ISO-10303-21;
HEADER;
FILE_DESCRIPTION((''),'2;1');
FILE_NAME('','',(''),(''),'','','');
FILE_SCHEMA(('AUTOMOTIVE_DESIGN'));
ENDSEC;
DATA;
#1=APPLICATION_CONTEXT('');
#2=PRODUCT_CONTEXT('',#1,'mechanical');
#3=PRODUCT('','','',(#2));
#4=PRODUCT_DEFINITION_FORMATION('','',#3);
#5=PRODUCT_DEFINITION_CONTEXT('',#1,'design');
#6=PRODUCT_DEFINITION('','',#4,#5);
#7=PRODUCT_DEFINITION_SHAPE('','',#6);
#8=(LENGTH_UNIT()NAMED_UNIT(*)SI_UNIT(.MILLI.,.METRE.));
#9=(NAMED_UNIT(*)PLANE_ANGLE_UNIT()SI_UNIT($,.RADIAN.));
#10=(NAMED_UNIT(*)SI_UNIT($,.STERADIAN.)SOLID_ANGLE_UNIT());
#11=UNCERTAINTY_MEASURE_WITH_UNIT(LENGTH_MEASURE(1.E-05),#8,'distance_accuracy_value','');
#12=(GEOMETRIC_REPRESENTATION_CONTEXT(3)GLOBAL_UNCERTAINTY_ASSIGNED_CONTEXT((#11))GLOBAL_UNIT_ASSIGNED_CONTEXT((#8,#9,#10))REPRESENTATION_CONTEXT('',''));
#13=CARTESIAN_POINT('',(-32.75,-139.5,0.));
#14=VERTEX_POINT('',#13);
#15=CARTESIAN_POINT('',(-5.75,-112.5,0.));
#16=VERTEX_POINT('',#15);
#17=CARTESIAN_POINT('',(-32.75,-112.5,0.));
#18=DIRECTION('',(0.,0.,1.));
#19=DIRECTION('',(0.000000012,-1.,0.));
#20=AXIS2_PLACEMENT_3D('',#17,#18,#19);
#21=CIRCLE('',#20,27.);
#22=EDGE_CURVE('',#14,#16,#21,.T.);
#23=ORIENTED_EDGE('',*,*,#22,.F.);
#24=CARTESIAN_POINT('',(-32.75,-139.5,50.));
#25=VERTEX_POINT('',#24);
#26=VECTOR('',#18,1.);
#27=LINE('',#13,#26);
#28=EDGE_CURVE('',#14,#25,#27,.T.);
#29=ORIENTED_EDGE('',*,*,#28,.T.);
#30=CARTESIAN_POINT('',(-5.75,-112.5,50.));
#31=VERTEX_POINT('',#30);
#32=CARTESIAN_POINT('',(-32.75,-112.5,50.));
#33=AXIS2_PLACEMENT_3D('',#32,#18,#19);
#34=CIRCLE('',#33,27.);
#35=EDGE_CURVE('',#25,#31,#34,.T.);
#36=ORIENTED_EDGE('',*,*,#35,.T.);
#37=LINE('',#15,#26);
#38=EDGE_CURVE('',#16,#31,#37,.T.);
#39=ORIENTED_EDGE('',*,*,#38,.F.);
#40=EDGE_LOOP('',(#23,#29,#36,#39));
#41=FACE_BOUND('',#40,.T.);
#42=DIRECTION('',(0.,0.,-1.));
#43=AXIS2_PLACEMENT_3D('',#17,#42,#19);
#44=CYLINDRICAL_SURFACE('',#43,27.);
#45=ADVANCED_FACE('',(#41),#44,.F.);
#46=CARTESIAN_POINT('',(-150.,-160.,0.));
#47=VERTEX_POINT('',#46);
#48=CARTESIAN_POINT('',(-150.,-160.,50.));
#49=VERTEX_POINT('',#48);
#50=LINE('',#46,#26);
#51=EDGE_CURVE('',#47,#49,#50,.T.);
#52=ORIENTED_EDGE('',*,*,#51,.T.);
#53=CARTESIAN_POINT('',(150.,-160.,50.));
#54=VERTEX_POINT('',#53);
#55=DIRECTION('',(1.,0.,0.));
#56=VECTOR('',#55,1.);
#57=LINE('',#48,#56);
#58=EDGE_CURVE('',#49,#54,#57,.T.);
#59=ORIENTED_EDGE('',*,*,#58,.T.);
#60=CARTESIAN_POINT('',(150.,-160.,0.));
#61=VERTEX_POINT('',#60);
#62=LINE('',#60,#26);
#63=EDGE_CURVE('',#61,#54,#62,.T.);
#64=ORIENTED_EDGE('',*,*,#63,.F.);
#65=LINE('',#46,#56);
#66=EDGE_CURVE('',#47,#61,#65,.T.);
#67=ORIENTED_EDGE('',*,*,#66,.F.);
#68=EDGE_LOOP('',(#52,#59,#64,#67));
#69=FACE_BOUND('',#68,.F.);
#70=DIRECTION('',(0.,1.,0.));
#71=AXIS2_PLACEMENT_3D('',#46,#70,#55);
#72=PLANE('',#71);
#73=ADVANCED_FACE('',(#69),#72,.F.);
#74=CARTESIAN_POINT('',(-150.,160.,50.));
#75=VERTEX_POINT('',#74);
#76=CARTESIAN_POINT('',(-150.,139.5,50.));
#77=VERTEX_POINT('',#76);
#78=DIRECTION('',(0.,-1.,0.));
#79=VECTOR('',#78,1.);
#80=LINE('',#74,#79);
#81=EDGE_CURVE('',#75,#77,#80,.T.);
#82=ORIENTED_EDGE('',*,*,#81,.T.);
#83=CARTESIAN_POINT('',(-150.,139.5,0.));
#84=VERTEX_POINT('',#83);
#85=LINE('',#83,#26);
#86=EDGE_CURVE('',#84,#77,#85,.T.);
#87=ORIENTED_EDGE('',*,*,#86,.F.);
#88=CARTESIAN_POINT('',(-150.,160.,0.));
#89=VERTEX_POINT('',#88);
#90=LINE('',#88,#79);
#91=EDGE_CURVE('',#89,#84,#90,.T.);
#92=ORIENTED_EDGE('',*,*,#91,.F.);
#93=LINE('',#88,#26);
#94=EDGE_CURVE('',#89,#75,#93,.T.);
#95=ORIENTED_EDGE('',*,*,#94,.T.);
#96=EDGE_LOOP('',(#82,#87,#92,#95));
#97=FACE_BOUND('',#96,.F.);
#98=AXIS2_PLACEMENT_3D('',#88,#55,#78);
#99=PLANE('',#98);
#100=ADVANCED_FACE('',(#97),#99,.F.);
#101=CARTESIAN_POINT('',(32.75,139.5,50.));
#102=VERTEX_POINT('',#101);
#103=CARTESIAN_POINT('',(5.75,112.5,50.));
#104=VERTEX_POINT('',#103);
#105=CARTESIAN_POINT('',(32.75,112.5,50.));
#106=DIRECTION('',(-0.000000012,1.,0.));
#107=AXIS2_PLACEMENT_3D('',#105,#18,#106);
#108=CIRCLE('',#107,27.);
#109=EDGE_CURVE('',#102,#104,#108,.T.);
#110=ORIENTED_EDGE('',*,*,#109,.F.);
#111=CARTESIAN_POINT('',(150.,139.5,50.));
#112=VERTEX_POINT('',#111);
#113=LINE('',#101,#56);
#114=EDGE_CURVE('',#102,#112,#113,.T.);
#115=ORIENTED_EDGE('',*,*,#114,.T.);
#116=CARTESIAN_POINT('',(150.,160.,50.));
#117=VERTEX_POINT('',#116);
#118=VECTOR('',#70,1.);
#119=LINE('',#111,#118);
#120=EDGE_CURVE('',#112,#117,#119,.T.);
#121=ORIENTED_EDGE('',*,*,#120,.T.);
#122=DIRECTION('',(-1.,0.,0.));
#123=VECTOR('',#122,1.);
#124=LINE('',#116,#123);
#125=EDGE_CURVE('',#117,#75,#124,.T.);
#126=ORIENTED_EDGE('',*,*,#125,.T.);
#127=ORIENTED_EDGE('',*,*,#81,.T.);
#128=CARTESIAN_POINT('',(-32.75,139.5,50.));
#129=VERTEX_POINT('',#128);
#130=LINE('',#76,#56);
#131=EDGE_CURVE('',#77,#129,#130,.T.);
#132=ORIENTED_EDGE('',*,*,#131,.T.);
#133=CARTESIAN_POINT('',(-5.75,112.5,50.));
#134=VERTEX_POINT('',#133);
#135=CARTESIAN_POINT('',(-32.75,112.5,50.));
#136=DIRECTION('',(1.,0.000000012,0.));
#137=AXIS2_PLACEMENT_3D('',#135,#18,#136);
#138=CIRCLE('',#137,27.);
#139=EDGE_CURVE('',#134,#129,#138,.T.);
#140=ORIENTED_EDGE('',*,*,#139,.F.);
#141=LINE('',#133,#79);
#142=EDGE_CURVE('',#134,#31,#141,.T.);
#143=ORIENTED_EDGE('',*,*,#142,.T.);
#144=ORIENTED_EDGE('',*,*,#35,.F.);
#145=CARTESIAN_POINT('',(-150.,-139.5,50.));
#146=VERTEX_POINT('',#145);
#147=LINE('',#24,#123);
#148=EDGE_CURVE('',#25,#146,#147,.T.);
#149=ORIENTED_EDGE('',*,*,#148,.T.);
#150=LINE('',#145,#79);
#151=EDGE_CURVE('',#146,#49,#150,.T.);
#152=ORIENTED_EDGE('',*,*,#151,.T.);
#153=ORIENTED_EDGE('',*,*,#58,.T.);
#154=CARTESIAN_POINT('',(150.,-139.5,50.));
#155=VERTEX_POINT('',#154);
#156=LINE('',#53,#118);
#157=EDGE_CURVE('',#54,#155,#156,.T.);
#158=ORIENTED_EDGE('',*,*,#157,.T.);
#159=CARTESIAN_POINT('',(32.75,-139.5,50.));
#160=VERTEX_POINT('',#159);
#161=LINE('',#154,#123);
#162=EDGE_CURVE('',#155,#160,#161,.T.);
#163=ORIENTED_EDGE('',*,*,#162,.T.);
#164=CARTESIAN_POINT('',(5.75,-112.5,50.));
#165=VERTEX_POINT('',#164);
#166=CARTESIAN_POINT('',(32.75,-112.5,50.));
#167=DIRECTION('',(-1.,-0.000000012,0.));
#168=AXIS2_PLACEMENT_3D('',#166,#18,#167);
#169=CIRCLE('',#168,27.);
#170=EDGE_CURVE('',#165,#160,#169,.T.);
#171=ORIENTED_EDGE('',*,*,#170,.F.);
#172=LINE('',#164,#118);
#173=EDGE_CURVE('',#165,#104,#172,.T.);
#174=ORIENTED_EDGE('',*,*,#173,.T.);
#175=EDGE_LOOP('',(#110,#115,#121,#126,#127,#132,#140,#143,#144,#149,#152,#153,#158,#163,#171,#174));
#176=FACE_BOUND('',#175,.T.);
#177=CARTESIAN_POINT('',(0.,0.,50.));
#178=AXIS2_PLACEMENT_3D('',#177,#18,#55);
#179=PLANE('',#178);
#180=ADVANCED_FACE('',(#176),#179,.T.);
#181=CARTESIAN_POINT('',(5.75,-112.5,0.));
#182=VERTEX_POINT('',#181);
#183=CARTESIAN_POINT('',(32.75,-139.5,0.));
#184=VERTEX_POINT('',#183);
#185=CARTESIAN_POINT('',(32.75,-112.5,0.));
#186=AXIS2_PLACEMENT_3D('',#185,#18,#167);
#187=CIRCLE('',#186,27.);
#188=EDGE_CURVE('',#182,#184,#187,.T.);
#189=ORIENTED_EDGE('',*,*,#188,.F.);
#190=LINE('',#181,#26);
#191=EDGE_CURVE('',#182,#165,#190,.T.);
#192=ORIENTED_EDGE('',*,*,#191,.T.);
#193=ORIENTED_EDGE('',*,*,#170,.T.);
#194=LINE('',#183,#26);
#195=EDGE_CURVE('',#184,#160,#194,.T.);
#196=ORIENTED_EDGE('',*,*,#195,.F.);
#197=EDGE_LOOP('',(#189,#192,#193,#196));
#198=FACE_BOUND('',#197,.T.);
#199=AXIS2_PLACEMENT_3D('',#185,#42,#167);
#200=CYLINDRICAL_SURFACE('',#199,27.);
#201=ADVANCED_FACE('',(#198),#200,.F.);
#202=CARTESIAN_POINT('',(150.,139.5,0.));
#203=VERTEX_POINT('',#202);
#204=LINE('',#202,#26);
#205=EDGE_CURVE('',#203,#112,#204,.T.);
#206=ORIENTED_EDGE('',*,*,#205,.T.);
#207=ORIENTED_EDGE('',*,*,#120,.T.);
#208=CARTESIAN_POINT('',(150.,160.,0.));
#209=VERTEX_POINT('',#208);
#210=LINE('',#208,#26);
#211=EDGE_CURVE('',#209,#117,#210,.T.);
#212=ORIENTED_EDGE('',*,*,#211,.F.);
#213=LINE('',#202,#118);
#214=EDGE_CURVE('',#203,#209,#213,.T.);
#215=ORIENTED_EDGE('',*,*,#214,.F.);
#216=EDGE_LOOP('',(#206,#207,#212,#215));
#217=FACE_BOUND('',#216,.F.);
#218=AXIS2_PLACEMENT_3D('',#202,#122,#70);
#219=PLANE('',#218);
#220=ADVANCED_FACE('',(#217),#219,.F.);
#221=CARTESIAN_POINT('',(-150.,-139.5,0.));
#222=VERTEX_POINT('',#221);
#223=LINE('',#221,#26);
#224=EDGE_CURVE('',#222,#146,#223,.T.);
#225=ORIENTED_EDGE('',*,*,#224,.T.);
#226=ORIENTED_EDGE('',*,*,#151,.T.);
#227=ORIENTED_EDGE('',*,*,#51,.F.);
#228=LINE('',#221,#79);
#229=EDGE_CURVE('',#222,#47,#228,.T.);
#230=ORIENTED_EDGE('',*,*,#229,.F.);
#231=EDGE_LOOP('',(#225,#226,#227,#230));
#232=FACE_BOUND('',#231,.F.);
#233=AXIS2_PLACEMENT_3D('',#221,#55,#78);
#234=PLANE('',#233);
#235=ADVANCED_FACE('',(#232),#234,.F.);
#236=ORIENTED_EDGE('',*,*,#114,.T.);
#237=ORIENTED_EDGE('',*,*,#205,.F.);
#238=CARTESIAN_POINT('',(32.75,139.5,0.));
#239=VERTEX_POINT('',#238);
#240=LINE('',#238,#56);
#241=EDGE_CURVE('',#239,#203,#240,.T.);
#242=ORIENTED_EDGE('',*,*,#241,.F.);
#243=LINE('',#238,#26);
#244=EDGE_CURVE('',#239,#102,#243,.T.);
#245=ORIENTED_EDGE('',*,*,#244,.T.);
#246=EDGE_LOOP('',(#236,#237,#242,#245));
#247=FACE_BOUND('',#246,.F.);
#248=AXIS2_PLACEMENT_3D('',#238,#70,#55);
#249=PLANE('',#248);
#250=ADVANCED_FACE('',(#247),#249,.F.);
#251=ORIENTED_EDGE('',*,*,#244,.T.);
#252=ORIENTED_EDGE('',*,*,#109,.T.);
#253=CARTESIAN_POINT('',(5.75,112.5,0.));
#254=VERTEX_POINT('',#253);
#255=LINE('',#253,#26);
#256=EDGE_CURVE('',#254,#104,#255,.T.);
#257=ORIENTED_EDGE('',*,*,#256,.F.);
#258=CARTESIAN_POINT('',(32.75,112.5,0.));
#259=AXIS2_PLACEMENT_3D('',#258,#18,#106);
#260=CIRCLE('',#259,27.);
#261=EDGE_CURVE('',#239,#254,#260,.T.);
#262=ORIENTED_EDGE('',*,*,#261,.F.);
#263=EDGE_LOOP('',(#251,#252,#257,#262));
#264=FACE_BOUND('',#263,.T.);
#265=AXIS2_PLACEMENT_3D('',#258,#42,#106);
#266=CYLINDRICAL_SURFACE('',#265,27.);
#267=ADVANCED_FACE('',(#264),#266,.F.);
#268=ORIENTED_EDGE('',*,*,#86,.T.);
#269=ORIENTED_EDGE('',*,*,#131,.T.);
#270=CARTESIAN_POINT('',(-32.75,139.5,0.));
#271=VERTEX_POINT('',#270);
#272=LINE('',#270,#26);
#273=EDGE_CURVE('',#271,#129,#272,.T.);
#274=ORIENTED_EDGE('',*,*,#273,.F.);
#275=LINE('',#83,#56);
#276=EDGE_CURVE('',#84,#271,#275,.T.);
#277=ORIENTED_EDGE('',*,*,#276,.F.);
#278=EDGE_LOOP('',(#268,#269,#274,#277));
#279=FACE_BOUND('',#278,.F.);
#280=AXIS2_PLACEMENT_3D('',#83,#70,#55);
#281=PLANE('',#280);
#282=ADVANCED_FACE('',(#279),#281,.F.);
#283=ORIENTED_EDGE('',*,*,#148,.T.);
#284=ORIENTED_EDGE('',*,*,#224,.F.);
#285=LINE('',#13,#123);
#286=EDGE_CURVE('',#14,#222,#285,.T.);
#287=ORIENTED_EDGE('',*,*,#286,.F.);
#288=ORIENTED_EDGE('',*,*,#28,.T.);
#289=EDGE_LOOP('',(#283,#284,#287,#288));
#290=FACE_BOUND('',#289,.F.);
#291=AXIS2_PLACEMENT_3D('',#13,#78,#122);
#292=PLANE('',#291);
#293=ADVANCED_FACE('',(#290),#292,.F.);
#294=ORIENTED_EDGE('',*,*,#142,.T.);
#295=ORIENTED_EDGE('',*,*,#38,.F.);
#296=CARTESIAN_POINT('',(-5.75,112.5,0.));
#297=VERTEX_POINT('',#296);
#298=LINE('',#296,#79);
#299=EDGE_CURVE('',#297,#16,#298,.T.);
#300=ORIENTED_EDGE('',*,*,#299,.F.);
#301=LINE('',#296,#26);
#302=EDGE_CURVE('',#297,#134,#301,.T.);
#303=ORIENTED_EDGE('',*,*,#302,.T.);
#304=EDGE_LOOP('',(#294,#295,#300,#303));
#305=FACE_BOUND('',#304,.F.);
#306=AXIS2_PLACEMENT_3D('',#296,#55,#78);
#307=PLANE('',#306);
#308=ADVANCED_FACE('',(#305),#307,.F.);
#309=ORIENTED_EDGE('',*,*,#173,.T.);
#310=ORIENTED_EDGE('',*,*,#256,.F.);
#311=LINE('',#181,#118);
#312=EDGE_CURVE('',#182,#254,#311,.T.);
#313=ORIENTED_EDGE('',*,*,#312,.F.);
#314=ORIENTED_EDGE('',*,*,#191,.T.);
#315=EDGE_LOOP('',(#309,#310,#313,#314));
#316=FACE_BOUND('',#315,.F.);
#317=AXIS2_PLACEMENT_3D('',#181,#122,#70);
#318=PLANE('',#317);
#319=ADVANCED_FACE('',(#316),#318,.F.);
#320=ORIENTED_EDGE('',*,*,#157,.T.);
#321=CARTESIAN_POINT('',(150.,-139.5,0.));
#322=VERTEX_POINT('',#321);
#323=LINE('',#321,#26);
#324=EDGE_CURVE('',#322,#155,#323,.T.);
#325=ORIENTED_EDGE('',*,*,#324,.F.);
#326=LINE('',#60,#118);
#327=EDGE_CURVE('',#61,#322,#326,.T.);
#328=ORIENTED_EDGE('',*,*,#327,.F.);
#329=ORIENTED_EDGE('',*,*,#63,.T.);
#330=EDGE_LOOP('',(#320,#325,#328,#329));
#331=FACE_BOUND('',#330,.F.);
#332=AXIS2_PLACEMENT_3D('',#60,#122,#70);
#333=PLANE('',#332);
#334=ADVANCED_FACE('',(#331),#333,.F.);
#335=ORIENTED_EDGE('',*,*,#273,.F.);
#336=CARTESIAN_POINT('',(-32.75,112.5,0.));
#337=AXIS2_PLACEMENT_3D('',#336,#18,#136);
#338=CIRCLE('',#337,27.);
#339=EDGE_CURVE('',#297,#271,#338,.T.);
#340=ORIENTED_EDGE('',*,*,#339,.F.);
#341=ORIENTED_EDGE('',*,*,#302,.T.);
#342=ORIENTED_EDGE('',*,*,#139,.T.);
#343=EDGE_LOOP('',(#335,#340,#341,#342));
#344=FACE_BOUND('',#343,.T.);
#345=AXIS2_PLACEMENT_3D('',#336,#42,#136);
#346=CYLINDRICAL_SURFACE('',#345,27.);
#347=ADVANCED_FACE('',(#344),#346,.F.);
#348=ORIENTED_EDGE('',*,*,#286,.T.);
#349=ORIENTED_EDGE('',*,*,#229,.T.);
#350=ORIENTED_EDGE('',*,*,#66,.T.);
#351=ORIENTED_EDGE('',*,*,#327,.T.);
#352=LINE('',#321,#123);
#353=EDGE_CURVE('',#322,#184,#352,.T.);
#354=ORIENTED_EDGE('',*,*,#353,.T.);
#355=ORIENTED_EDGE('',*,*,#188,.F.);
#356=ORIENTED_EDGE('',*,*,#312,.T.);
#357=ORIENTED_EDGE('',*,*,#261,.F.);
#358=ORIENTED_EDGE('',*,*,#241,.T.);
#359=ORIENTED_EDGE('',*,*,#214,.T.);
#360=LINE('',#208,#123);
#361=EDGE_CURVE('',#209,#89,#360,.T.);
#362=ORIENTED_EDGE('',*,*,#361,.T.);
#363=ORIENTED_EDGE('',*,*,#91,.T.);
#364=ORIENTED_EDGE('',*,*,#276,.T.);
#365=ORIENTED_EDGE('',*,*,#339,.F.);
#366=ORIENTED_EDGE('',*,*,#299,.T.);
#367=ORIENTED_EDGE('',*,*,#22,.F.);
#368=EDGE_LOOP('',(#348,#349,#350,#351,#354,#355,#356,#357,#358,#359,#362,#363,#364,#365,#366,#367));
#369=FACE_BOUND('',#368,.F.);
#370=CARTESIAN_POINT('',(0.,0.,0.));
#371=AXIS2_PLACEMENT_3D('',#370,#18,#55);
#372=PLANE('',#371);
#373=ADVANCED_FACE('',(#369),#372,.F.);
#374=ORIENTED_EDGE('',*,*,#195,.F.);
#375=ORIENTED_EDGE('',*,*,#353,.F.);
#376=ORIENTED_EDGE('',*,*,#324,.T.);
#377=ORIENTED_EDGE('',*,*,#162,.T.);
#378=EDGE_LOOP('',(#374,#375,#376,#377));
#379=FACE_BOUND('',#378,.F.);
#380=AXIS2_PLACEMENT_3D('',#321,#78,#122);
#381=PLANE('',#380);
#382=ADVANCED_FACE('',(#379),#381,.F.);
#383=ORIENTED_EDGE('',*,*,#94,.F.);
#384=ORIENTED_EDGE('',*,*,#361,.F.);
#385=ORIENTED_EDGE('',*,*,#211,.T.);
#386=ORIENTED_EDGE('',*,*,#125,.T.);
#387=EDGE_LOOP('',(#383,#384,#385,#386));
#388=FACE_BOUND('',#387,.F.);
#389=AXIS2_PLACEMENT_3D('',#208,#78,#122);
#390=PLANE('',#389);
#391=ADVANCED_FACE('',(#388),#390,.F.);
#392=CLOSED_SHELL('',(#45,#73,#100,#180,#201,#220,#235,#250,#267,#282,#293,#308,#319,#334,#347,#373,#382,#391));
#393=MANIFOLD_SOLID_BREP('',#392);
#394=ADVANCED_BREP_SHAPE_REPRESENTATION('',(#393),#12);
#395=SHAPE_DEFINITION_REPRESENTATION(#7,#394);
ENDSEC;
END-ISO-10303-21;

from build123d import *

# Parameters (mm, degrees)
EXTRUDE_DEPTH = 50


with BuildPart() as part:
    # Sketch → Extrude (new body)
    with BuildSketch(Plane.XY):
        with BuildLine():
            Line((5.75, -112.5), (5.75, 112.5))
            ThreePointArc((32.75, 139.5), (13.658117, 131.591883), (5.75, 112.5))
            Line((32.75, 139.5), (150, 139.5))
            Line((150, 139.5), (150, 160))
            Line((150, 160), (-150, 160))
            Line((-150, 160), (-150, 139.5))
            Line((-150, 139.5), (-32.75, 139.5))
            ThreePointArc((-5.75, 112.5), (-13.658117, 131.591883), (-32.75, 139.5))
            Line((-5.75, 112.5), (-5.75, -112.5))
            ThreePointArc((-32.75, -139.5), (-13.658117, -131.591883), (-5.75, -112.5))
            Line((-32.75, -139.5), (-150, -139.5))
            Line((-150, -139.5), (-150, -160))
            Line((-150, -160), (150, -160))
            Line((150, -160), (150, -139.5))
            Line((150, -139.5), (32.75, -139.5))
            ThreePointArc((5.75, -112.5), (13.658117, -131.591883), (32.75, -139.5))
        make_face()
    extrude(amount=EXTRUDE_DEPTH)


solid = part.part
